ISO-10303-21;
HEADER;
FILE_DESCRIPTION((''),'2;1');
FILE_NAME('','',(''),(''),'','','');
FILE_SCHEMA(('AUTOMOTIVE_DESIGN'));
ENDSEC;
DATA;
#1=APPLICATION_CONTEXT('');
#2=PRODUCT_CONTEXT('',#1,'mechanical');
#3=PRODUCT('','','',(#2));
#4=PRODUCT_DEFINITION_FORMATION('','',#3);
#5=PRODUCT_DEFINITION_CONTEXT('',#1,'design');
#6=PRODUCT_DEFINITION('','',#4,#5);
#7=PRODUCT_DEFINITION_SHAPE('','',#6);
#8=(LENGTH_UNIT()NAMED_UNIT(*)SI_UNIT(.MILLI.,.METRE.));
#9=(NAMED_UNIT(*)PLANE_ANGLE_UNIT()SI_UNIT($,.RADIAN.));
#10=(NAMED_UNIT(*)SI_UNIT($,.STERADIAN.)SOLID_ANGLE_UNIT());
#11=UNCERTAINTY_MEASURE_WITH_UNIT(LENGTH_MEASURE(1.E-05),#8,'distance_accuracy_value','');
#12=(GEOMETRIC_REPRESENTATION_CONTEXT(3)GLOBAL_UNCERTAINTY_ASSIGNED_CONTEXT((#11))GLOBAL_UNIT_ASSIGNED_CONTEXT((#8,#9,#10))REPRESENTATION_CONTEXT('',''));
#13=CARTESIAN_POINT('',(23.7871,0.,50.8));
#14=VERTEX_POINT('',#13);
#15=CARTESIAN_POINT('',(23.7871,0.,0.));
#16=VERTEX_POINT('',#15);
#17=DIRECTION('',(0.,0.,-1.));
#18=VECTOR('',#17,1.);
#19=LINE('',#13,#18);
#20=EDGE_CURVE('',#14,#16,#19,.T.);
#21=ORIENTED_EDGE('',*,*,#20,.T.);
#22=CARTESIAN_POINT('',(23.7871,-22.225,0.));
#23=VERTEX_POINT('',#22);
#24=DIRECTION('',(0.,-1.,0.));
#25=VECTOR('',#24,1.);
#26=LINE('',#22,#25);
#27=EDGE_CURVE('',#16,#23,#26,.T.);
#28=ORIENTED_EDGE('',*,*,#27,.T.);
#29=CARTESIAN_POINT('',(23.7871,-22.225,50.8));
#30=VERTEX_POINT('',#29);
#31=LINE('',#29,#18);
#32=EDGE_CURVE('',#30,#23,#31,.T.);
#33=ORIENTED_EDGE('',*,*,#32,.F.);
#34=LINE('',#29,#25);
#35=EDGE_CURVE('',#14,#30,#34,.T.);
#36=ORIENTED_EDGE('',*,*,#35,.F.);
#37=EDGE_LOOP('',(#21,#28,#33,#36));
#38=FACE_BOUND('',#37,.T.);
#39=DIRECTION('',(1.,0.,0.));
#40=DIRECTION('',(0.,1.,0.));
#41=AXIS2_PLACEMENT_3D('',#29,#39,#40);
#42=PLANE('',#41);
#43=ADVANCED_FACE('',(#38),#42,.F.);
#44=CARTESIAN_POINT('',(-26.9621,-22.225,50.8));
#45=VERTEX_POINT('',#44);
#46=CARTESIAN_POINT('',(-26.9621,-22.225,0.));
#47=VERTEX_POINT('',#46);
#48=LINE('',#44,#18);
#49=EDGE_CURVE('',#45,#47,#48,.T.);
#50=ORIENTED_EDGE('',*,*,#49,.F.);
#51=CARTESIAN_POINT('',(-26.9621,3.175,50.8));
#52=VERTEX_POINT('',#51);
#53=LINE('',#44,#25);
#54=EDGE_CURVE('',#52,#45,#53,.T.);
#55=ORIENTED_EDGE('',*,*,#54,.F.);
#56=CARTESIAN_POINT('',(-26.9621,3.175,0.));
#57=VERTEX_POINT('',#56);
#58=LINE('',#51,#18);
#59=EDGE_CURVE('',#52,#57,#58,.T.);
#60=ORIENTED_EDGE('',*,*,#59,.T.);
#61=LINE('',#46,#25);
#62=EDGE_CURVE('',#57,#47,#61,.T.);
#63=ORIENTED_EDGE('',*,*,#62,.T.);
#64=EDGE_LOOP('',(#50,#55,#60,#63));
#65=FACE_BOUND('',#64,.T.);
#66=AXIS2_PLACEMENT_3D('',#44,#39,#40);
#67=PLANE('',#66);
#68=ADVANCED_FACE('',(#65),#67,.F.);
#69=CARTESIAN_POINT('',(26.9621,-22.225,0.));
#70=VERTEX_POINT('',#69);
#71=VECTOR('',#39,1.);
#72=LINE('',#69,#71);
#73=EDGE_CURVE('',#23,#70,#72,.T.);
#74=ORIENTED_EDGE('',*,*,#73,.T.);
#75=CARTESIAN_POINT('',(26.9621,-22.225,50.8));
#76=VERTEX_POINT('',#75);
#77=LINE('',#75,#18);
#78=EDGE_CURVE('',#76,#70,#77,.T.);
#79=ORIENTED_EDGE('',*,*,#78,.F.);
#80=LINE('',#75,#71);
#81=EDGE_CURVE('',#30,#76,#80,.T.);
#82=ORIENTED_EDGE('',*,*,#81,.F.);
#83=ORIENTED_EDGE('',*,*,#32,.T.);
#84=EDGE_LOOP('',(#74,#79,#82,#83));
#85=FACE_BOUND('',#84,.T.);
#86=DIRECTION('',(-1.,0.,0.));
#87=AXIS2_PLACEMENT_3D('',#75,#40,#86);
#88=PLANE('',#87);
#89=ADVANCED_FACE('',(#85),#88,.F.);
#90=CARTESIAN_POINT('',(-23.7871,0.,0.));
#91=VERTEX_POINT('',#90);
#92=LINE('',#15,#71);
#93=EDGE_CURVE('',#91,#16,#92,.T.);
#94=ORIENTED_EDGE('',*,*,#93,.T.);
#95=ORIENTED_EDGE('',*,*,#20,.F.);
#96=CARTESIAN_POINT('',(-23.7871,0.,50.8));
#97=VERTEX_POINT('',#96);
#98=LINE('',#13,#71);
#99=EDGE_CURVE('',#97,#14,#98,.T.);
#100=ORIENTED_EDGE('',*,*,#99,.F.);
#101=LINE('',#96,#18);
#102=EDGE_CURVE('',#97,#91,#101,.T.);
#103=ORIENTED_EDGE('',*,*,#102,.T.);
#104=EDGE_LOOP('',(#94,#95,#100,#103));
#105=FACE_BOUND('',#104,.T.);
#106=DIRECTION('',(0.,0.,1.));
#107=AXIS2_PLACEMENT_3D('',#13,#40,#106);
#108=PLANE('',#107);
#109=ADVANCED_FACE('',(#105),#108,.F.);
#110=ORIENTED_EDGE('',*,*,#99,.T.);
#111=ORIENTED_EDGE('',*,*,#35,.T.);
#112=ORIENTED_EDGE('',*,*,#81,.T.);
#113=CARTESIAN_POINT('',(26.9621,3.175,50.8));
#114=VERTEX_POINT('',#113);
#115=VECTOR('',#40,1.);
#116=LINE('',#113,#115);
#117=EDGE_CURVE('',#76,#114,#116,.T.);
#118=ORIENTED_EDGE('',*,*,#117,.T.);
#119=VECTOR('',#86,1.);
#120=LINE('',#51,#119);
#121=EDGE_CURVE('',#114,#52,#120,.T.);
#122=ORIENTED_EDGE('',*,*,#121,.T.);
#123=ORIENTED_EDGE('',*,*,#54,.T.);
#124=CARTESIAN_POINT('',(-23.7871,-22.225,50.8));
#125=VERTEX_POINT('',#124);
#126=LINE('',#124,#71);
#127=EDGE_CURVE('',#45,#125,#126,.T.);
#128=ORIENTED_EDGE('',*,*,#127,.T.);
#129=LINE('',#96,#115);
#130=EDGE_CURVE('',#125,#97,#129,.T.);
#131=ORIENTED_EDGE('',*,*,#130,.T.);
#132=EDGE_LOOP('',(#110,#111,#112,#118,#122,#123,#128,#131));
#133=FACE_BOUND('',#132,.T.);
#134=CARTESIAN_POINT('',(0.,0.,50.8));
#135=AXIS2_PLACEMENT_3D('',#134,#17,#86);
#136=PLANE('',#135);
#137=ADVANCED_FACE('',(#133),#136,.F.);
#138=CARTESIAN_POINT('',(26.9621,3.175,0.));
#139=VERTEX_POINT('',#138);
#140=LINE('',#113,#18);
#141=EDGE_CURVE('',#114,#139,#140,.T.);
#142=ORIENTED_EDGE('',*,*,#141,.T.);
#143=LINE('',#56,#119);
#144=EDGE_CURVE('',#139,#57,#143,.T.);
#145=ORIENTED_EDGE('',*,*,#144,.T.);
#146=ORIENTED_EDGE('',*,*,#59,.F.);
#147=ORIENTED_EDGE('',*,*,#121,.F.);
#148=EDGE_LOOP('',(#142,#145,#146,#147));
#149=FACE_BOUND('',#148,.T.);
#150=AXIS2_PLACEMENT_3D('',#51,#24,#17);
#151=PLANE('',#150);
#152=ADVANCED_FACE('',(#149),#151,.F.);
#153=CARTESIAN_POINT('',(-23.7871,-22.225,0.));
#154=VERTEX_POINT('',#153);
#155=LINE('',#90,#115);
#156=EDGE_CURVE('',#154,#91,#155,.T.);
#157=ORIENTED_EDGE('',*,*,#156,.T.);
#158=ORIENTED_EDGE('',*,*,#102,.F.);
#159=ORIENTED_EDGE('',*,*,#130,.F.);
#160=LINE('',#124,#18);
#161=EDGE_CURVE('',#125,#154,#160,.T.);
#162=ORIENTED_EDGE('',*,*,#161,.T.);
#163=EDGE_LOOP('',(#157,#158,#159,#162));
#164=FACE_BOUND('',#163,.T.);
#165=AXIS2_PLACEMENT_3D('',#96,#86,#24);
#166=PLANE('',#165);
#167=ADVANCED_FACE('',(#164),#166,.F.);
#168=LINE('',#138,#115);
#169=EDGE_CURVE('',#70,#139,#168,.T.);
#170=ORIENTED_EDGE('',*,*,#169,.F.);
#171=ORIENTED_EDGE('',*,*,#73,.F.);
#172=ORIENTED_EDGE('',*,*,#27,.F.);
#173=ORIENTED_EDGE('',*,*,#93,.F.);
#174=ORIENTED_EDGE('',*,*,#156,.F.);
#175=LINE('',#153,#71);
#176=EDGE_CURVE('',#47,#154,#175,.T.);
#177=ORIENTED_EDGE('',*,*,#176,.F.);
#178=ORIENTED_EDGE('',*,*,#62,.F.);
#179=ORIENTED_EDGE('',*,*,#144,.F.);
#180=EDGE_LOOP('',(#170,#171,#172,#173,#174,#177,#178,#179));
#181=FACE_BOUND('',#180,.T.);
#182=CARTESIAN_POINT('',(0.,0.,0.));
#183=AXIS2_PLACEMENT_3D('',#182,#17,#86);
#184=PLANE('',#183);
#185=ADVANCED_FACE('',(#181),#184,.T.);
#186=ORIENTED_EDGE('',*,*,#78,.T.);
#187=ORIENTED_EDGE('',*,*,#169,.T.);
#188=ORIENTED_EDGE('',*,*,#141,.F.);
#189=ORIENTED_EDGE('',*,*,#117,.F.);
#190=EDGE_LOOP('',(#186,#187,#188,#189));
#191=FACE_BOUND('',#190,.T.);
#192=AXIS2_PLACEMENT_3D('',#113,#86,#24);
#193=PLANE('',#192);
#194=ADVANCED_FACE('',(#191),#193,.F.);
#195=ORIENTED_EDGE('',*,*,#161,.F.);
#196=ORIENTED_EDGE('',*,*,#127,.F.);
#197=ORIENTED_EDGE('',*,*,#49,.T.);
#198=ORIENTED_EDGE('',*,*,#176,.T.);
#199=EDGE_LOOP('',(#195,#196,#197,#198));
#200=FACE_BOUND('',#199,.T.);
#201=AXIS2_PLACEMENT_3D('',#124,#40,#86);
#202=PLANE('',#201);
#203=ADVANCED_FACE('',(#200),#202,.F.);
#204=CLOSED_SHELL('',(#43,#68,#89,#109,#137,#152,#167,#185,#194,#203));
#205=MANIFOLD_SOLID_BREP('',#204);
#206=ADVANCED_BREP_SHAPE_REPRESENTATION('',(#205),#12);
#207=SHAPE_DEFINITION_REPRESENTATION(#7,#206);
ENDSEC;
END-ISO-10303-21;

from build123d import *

# Parameters (mm, degrees)
BOSS_EXTRUDE1_DEPTH = 50.8


with BuildPart() as part:
    # Sketch1 → Boss-Extrude1 (new body)
    with BuildSketch(Plane.XY):
        Polygon((-26.9621, -22.225), (-26.9621, 3.175), (26.9621, 3.175), (26.9621, -22.225), (23.7871, -22.225), (23.7871, 0), (-23.7871, 0), (-23.7871, -22.225), align=None)
    extrude(amount=BOSS_EXTRUDE1_DEPTH)


solid = part.part
